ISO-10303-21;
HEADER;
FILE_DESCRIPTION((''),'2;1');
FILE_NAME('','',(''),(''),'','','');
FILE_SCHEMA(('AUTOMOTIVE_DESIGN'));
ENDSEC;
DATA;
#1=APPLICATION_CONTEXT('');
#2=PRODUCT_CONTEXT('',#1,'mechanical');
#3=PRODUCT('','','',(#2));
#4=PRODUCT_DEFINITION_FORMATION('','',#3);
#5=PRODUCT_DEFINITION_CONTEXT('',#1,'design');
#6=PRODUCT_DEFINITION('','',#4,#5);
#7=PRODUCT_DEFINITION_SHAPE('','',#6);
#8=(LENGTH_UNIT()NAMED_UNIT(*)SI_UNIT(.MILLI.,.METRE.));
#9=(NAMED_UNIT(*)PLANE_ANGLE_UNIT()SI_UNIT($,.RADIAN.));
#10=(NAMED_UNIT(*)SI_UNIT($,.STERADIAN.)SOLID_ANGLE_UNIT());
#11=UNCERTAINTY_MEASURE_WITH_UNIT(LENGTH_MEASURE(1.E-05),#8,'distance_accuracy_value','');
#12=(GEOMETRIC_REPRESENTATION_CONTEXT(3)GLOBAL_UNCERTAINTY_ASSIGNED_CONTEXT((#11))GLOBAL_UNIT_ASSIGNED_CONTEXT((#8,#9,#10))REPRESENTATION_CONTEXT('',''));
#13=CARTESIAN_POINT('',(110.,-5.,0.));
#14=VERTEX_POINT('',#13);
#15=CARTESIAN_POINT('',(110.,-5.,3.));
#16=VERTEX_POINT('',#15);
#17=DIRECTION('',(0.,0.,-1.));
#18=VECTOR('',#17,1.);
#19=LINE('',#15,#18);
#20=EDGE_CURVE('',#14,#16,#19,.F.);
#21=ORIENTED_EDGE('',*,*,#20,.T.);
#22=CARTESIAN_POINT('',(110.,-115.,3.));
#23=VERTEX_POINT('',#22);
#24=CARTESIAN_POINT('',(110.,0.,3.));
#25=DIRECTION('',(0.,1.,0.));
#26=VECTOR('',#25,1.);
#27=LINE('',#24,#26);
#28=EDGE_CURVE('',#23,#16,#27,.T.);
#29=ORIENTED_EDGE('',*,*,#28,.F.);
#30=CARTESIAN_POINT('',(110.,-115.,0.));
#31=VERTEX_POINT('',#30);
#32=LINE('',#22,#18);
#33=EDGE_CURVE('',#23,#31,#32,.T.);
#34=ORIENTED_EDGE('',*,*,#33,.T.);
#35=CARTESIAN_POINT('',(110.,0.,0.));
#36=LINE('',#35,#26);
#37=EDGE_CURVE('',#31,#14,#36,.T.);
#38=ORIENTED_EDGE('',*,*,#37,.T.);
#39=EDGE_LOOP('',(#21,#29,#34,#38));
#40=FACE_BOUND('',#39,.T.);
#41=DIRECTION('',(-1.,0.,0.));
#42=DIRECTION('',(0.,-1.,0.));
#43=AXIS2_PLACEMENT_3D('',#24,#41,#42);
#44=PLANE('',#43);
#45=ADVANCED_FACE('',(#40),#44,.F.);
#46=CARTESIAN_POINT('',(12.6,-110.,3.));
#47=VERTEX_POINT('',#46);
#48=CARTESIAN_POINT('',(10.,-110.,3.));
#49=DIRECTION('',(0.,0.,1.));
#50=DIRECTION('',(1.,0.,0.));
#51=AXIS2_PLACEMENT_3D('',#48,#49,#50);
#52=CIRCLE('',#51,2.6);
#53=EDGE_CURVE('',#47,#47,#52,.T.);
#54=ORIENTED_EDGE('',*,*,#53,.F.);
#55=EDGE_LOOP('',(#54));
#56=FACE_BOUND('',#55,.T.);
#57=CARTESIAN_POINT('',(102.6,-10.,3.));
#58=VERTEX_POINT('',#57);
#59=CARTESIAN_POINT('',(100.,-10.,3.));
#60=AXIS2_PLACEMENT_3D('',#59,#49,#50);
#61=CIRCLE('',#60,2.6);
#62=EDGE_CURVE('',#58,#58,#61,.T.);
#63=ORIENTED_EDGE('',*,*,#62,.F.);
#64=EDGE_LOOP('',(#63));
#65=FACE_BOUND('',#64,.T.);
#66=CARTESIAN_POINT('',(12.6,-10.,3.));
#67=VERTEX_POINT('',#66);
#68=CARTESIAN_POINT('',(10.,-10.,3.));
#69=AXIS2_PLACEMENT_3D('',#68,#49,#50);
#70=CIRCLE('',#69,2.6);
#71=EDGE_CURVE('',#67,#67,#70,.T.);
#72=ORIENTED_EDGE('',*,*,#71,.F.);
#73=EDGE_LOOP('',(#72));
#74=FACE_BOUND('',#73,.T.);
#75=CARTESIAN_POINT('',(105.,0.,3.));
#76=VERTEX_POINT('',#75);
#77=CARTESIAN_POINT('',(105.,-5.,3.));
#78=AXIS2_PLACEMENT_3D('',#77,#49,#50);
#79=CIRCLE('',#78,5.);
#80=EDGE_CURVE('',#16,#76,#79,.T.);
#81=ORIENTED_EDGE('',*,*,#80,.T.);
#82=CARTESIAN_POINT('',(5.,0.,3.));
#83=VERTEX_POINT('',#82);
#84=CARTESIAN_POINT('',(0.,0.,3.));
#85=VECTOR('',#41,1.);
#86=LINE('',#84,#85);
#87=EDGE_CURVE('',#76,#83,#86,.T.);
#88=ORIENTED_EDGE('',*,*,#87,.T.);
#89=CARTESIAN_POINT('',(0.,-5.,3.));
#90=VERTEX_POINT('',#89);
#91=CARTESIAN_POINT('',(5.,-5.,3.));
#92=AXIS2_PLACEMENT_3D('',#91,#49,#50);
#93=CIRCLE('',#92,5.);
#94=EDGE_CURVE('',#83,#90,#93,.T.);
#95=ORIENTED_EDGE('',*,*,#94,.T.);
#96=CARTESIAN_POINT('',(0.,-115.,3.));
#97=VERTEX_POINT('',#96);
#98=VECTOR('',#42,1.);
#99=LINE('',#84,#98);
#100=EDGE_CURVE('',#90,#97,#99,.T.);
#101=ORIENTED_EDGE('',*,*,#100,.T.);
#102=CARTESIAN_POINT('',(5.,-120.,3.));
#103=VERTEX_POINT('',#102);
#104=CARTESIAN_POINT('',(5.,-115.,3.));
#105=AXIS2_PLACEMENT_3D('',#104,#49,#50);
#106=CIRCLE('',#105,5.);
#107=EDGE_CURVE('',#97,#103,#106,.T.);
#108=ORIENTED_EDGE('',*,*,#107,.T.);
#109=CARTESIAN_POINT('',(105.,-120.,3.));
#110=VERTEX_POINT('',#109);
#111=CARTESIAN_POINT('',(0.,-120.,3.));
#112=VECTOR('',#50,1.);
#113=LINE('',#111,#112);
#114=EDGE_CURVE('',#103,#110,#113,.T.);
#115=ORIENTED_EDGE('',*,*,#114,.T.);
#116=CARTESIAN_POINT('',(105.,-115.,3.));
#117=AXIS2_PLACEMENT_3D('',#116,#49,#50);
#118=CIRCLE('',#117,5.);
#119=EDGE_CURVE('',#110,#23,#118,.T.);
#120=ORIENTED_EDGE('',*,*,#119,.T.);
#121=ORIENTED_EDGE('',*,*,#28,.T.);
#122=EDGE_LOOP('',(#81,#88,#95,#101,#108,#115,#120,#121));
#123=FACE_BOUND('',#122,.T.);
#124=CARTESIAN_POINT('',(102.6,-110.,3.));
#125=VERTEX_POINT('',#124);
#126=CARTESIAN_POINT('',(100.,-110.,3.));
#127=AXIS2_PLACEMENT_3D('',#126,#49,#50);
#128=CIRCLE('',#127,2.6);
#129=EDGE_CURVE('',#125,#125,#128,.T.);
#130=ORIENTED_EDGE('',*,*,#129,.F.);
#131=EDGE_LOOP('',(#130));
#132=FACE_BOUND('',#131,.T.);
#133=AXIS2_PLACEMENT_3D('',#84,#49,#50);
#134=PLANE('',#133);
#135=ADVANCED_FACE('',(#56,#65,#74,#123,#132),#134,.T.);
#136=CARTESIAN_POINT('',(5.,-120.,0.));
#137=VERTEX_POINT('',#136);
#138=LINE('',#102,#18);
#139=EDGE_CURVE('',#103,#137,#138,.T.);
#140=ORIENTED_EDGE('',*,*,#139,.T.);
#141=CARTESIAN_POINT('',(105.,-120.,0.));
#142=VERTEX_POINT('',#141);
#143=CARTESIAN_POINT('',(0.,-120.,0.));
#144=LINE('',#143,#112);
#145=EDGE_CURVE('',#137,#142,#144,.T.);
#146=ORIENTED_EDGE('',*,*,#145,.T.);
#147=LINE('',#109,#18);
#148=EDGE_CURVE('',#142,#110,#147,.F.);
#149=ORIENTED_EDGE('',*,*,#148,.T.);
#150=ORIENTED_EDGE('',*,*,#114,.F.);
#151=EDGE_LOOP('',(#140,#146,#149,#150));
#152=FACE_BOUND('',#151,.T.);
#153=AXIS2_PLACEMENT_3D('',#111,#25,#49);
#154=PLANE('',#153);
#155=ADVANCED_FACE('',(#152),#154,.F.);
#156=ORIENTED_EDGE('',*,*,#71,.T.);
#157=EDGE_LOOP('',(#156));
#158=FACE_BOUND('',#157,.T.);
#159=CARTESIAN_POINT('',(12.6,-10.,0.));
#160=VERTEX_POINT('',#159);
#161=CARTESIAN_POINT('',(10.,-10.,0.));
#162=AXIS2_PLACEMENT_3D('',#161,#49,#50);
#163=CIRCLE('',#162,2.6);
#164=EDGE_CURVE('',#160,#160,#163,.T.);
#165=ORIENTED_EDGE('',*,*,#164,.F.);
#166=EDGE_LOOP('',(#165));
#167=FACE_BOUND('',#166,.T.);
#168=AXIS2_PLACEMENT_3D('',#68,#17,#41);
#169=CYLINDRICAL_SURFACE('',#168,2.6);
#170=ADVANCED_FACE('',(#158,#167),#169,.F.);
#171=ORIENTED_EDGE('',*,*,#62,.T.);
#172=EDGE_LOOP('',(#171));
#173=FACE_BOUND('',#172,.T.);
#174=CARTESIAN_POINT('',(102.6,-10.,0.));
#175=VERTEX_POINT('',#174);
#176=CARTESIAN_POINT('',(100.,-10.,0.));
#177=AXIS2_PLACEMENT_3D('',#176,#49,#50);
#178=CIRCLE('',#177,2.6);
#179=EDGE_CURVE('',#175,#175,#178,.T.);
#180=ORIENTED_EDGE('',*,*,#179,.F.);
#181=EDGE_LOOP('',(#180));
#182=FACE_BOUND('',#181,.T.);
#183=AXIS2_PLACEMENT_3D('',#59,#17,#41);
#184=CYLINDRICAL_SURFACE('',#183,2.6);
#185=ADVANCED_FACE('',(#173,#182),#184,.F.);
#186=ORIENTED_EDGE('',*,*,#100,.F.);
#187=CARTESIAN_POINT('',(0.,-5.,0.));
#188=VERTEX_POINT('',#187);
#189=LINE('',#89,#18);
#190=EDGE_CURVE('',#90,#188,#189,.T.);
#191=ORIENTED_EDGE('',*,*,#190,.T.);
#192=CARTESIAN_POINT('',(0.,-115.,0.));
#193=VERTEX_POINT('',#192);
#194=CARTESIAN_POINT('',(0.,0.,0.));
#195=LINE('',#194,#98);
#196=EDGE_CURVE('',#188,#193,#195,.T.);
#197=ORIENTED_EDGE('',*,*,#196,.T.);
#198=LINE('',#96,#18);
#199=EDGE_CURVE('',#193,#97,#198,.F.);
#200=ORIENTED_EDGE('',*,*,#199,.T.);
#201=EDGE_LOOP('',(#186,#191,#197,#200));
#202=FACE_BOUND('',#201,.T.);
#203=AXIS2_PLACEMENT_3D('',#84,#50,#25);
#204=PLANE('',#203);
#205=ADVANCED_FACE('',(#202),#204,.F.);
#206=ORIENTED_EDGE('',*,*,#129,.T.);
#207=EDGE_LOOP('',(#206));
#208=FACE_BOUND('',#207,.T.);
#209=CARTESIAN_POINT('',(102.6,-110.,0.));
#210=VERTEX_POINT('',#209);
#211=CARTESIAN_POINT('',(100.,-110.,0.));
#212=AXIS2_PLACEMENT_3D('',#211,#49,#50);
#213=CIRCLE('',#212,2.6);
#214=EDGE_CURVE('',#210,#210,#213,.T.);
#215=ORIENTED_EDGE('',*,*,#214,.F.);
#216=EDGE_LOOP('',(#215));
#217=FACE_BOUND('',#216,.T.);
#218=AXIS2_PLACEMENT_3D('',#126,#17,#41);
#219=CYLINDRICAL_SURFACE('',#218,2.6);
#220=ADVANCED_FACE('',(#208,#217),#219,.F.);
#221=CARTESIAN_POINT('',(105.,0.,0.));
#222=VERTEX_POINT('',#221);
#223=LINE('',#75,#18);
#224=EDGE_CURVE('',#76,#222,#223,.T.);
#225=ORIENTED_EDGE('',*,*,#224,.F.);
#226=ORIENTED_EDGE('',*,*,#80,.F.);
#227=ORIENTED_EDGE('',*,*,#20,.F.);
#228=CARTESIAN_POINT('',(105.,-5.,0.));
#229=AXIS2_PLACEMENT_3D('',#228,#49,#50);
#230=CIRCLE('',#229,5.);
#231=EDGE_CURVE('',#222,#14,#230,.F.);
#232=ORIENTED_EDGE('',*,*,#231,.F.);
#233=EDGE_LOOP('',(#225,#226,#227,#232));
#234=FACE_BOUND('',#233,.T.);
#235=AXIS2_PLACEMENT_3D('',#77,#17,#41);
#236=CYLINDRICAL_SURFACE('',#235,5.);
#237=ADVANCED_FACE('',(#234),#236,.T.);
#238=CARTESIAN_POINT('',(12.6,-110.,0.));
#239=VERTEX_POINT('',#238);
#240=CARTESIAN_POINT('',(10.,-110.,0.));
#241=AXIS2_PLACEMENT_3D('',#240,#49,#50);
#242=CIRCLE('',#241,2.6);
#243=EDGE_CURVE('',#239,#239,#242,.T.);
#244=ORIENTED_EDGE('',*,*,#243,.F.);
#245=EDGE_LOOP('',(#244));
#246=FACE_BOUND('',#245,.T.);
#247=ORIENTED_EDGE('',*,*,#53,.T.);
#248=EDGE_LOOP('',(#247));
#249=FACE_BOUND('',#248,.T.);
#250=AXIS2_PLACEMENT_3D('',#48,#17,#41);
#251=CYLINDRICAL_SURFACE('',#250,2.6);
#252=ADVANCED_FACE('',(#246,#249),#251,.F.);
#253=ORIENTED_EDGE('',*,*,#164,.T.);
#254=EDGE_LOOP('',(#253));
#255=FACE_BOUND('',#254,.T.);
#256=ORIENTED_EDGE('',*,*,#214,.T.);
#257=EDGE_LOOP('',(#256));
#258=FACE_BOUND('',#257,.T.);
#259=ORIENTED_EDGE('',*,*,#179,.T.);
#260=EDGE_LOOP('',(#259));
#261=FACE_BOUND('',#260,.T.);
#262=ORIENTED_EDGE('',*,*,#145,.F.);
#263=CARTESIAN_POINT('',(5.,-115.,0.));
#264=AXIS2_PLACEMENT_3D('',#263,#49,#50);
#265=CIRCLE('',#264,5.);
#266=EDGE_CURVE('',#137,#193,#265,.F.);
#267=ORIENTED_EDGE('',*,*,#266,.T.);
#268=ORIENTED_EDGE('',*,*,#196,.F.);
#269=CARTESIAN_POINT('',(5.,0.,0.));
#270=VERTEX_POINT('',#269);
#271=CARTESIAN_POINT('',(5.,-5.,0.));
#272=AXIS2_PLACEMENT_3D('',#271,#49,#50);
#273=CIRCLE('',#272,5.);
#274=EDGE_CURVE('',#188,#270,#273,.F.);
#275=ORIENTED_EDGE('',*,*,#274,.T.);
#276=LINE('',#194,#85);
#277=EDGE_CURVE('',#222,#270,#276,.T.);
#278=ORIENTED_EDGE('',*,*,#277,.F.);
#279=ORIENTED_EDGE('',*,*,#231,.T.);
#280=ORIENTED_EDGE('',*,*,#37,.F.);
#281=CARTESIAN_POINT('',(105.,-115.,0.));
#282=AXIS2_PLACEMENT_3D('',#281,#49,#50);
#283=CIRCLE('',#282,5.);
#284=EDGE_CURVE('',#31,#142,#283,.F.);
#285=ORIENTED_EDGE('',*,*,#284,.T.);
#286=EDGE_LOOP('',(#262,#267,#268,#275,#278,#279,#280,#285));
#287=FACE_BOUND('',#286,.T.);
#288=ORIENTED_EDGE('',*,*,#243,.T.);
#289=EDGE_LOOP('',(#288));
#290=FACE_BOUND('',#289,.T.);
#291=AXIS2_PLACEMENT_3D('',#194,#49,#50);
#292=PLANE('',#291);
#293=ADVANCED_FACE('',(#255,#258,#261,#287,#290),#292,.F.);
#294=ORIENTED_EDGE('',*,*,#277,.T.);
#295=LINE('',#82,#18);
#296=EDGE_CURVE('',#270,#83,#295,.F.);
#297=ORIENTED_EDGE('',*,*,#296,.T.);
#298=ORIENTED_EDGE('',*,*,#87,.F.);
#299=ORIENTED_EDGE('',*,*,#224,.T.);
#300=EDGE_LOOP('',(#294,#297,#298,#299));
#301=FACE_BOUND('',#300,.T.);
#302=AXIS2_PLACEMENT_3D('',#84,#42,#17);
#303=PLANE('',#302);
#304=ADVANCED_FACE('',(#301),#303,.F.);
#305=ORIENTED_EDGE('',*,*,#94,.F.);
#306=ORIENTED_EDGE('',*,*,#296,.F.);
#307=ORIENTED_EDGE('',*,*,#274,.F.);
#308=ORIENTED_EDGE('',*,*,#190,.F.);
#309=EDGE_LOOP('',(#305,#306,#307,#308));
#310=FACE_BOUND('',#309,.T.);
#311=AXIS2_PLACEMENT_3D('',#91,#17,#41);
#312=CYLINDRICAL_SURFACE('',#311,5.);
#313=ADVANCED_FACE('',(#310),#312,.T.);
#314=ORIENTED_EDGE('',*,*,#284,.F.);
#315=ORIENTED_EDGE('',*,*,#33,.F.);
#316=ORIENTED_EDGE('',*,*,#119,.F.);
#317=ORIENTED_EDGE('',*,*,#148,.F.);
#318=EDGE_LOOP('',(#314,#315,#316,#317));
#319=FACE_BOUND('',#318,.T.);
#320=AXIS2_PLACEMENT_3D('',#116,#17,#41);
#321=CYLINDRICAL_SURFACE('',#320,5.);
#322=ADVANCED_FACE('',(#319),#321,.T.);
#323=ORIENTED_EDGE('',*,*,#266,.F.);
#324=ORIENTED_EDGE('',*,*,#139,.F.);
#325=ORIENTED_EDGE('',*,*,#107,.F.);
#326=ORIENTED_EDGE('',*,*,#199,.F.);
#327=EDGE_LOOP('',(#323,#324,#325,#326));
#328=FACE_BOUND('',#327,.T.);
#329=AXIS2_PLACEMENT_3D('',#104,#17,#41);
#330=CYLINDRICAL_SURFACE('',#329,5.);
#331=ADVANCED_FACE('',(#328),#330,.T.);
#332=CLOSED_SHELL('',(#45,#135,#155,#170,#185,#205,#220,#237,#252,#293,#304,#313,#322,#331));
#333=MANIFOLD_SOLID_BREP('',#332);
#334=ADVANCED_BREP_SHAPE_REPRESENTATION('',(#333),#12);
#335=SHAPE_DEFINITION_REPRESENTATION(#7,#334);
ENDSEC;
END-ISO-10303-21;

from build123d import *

# Parameters (mm, degrees)
SKETCH_2_W      = 110
SKETCH_2_H      = 120
SKETCH_2_R      = 2.6
EXTRUDE_1_DEPTH = 3
FILLET_1_R      = 5


with BuildPart() as part:
    # ｽｹｯﾁ2 → ﾎﾞｽ - 押し出し1 (new body)
    with BuildSketch(Plane.XY):
        with Locations((55, -60)):
            Rectangle(SKETCH_2_W, SKETCH_2_H)
        with Locations((10, -10)):
            Circle(SKETCH_2_R, mode=Mode.SUBTRACT)
        with Locations((100, -10)):
            Circle(SKETCH_2_R, mode=Mode.SUBTRACT)
        with Locations((10, -110)):
            Circle(SKETCH_2_R, mode=Mode.SUBTRACT)
        with Locations((100, -110)):
            Circle(SKETCH_2_R, mode=Mode.SUBTRACT)
    extrude(amount=EXTRUDE_1_DEPTH)

    # ﾌｨﾚｯﾄ1
    fillet_1_edges = [part.edges().sort_by_distance(p)[0] for p in [
        (0, 0, 1.5),
        (110, 0, 1.5),
        (110, -120, 1.5),
        (0, -120, 1.5),
    ]]
    fillet(fillet_1_edges, radius=FILLET_1_R)


solid = part.part
